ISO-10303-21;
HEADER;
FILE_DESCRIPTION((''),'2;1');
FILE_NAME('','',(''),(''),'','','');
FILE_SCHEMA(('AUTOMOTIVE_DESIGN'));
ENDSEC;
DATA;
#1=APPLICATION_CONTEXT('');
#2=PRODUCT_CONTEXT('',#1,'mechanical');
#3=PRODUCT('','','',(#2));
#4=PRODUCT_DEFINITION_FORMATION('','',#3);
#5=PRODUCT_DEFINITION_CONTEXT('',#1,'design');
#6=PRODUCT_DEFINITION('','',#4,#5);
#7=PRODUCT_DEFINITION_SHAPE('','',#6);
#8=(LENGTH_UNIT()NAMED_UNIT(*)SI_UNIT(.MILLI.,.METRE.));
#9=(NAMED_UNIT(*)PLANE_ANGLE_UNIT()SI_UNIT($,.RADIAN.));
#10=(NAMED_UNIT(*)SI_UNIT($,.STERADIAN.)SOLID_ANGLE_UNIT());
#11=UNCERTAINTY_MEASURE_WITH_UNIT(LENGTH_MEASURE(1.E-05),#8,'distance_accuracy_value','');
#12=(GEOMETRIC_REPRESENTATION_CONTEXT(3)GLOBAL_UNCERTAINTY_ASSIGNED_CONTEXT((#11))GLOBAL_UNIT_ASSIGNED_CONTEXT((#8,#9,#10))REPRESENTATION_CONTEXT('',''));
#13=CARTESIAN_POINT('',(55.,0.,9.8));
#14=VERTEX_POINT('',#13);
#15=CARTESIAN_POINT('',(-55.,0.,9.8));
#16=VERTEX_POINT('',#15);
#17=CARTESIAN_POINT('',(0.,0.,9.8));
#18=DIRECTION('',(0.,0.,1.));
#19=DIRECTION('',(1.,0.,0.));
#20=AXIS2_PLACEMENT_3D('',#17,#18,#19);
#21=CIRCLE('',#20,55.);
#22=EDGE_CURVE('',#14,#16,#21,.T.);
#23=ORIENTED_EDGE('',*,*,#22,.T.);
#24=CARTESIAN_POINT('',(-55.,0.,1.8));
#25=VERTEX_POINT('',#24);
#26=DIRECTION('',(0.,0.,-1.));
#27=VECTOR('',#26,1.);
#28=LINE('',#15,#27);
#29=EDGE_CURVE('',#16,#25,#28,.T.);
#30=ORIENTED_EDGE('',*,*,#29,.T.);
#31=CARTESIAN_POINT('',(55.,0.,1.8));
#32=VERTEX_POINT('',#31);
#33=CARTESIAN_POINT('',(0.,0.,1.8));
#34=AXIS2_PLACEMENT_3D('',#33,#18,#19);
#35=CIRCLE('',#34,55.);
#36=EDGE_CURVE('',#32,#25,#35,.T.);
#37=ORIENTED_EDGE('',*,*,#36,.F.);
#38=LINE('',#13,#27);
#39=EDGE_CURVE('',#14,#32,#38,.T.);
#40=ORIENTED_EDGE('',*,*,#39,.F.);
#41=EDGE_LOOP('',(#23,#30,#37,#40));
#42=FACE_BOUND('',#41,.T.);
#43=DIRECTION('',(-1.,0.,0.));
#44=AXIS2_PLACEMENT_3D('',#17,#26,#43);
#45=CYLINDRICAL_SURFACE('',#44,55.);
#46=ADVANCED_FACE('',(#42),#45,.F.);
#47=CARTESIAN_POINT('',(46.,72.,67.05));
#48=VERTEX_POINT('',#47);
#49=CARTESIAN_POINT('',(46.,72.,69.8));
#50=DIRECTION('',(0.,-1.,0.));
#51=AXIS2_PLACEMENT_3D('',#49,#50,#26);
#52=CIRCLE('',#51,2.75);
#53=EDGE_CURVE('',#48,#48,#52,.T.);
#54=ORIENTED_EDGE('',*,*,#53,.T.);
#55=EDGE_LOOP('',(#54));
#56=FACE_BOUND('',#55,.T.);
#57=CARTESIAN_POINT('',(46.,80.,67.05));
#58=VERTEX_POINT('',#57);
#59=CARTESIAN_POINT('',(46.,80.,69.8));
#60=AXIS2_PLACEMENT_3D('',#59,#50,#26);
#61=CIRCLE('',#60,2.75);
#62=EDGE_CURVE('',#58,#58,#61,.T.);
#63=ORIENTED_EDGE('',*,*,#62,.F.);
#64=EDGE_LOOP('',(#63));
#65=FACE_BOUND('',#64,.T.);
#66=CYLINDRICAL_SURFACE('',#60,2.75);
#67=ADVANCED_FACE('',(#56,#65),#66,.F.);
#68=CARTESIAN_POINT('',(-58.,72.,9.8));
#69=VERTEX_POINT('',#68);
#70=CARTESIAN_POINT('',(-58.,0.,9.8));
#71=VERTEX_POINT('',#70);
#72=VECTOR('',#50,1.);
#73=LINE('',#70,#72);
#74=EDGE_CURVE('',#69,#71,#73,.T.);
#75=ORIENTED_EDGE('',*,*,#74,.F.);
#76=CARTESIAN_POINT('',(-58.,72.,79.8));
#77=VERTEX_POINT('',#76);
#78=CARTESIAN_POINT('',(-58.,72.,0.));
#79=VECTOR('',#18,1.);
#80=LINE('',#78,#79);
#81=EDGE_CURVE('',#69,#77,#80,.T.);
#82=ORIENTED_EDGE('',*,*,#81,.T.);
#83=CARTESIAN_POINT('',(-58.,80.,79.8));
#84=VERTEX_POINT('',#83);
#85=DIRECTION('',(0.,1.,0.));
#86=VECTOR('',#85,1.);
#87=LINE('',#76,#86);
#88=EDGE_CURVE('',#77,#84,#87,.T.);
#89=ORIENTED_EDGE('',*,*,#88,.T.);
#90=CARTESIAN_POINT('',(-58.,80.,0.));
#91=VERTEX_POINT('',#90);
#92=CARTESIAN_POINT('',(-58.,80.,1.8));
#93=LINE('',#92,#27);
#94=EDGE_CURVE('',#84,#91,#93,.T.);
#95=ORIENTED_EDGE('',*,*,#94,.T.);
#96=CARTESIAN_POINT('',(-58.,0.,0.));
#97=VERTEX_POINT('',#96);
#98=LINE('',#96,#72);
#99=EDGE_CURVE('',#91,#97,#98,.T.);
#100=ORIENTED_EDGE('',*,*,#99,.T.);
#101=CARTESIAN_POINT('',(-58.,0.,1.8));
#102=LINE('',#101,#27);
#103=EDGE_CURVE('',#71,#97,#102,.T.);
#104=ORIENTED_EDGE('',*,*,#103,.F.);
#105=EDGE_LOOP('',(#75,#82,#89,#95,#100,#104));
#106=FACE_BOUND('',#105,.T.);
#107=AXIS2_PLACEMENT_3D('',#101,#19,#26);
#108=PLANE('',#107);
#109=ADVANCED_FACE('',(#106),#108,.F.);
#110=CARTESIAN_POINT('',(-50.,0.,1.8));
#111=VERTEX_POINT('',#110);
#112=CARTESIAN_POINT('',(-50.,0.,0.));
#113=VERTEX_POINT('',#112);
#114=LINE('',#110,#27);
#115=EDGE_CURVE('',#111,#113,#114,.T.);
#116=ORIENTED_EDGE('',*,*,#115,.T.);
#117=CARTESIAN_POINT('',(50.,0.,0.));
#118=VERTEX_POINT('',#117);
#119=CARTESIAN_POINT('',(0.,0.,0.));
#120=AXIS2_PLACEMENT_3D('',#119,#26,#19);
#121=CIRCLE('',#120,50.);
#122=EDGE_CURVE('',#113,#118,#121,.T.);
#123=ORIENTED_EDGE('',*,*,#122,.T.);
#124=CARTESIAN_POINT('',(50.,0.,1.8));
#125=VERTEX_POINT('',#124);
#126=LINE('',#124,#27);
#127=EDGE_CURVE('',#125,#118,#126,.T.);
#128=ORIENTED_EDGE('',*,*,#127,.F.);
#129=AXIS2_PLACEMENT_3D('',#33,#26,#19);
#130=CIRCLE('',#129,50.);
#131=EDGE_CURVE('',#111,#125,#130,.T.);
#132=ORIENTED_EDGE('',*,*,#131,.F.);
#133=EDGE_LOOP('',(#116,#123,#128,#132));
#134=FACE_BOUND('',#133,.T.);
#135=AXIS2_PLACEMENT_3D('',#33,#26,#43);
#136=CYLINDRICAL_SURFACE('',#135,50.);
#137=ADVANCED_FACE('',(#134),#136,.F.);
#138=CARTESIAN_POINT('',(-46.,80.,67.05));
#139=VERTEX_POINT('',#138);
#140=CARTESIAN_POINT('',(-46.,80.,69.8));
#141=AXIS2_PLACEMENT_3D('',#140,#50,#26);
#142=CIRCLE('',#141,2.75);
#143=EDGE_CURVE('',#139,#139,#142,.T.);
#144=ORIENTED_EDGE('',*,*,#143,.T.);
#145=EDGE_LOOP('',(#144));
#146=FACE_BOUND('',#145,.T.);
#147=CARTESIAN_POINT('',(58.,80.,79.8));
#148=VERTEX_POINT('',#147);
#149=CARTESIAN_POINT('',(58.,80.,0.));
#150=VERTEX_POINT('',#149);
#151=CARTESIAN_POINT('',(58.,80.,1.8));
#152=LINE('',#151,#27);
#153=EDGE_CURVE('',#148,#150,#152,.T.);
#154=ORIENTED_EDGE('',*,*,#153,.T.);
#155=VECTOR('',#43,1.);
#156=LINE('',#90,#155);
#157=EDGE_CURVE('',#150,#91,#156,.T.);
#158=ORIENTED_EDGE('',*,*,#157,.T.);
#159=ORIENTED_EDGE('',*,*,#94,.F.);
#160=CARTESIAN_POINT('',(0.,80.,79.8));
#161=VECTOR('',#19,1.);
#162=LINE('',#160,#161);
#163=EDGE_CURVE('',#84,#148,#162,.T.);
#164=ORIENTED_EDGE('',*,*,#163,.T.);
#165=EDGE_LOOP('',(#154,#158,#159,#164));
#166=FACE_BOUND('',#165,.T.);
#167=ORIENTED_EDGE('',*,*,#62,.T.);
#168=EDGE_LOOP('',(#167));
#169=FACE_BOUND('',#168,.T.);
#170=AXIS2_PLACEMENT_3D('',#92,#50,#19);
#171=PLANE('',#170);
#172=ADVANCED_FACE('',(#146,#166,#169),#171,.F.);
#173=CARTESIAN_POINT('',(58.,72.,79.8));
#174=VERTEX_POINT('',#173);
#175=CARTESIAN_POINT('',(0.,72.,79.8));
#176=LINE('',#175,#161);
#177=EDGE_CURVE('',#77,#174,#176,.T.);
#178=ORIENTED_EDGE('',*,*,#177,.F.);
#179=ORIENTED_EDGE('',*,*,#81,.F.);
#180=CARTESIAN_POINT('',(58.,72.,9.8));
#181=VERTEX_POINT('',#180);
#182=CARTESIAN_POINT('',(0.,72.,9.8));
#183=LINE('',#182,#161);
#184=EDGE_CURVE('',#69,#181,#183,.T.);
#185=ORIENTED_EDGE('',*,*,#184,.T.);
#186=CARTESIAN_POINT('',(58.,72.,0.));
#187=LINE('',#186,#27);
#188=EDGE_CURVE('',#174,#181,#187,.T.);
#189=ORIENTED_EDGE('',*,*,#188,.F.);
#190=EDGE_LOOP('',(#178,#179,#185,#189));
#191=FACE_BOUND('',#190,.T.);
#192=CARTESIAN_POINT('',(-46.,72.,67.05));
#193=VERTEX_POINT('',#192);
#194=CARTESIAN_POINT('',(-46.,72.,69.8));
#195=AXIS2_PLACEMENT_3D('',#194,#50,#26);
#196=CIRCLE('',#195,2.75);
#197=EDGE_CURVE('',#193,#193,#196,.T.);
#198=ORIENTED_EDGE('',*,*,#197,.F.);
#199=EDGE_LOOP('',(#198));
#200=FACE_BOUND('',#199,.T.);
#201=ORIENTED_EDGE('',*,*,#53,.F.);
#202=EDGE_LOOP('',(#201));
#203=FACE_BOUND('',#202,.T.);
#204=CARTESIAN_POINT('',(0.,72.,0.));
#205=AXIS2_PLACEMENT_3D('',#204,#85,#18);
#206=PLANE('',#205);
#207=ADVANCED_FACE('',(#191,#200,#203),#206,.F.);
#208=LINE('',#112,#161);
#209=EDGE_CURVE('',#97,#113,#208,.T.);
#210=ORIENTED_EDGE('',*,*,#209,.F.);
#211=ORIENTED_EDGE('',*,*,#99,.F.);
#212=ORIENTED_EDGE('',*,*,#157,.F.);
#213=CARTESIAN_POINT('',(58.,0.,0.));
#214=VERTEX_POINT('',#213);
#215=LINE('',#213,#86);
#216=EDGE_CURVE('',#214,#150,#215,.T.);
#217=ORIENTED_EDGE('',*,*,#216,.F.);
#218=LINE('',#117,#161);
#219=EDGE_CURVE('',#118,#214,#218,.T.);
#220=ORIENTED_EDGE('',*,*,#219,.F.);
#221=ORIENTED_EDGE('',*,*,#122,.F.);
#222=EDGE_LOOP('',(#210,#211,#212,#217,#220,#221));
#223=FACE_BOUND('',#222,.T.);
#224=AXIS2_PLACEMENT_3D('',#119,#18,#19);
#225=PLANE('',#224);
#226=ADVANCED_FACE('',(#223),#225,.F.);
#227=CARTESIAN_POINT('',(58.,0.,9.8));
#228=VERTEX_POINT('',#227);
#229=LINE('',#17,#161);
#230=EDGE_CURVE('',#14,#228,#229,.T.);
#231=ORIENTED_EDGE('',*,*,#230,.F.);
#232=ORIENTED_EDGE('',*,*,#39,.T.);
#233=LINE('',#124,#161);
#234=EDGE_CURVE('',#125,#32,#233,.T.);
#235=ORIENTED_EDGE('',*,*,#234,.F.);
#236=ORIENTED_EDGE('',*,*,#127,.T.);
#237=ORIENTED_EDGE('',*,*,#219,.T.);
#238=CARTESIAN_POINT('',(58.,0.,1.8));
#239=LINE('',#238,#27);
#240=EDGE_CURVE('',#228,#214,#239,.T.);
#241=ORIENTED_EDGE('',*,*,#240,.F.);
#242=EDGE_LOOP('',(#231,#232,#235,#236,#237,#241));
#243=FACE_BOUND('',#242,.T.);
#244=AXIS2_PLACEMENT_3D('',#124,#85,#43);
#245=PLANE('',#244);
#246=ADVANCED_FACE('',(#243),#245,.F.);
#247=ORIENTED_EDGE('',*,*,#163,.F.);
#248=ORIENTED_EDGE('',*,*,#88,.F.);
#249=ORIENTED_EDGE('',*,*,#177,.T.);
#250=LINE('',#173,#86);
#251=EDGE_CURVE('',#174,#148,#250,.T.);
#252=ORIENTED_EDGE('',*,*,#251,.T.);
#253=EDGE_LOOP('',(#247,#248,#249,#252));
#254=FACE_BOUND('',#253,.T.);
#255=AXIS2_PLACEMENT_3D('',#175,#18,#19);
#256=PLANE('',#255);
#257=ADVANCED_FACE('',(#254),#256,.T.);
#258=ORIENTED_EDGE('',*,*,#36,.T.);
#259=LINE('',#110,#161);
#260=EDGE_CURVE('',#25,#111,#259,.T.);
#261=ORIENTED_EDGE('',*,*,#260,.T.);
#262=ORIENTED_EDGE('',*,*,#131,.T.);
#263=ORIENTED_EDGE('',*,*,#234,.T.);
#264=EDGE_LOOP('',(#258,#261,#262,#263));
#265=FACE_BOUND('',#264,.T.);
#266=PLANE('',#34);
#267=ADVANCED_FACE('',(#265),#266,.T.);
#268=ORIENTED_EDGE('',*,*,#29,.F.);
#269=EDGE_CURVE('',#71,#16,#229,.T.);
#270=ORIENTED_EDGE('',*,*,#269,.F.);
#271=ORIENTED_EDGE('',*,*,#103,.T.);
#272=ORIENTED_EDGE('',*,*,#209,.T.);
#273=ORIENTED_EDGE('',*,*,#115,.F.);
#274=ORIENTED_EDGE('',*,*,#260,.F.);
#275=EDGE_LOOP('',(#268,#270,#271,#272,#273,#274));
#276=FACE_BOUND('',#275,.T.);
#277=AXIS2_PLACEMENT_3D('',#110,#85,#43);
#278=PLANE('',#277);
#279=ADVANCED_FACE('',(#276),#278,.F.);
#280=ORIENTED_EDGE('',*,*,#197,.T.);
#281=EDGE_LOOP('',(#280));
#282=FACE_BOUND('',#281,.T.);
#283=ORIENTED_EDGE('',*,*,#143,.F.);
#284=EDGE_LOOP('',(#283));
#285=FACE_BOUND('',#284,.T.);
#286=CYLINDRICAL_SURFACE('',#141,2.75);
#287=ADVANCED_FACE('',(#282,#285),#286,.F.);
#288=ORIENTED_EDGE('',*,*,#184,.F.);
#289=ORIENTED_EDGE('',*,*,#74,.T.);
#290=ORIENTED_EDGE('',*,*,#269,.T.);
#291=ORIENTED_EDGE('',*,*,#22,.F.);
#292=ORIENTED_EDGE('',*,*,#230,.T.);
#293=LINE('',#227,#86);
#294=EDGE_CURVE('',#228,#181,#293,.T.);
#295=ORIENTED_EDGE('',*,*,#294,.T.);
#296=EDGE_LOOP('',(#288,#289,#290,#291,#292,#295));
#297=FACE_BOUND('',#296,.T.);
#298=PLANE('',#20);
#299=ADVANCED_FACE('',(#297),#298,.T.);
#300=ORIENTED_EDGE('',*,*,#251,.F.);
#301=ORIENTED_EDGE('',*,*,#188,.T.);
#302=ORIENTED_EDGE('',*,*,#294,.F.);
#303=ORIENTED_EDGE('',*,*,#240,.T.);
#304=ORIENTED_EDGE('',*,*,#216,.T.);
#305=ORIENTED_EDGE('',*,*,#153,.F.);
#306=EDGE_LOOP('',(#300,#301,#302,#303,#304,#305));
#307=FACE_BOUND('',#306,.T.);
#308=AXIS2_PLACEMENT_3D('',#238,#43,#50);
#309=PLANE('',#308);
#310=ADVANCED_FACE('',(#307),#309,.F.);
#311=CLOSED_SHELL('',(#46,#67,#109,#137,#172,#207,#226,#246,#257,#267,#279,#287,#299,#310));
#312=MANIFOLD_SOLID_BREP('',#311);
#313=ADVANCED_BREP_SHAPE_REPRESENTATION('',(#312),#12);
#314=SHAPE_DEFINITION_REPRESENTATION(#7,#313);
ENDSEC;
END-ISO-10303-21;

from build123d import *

# Parameters (mm, degrees)
BOSS_EXTRUDE1_DEPTH = 1.8
BOSS_EXTRUDE4_DEPTH = 8
SKETCH5_W           = 116
SKETCH5_H           = 70
BOSS_EXTRUDE5_DEPTH = 8
SKETCH6_R           = 2.75
CUT_EXTRUDE1_DEPTH  = 123.131240885


with BuildPart() as part:
    # Sketch1 → Boss-Extrude1 (new body)
    with BuildSketch(Plane.XY):
        with BuildLine():
            Line((50, 0), (58, 0))
            Line((58, 0), (58, 80))
            Line((58, 80), (-58, 80))
            Line((-58, 80), (-58, 0))
            Line((-58, 0), (-50, 0))
            ThreePointArc((-50, 0), (0, 50), (50, 0))
        make_face()
    extrude(amount=BOSS_EXTRUDE1_DEPTH)

    # Sketch4 → Boss-Extrude4 (add)
    with BuildSketch(Plane.XY.offset(1.8)):
        with BuildLine():
            Line((-58, 0), (-55, 0))
            ThreePointArc((-55, 0), (0, 55), (55, 0))
            Line((55, 0), (58, 0))
            Line((58, 0), (58, 80))
            Line((58, 80), (-58, 80))
            Line((-58, 80), (-58, 0))
        make_face()
    extrude(amount=BOSS_EXTRUDE4_DEPTH)

    # Sketch5 → Boss-Extrude5 (add)
    with BuildSketch(Plane(origin=(0, 80, 0), x_dir=(1, 0, 0), z_dir=(0, 1, 0))):
        with Locations((0, -44.8)):
            Rectangle(SKETCH5_W, SKETCH5_H)
    extrude(amount=-BOSS_EXTRUDE5_DEPTH)

    # Sketch6 → Cut-Extrude1 (cut, through all)
    with BuildSketch(Plane.XZ.offset(-72)):
        with Locations(Location((-46, 69.8, 0), (0, 0, 270))):
            Circle(SKETCH6_R)
        with Locations(Location((46, 69.8, 0), (0, 0, 270))):
            Circle(SKETCH6_R)
    extrude(amount=-CUT_EXTRUDE1_DEPTH, mode=Mode.SUBTRACT)


solid = part.part
